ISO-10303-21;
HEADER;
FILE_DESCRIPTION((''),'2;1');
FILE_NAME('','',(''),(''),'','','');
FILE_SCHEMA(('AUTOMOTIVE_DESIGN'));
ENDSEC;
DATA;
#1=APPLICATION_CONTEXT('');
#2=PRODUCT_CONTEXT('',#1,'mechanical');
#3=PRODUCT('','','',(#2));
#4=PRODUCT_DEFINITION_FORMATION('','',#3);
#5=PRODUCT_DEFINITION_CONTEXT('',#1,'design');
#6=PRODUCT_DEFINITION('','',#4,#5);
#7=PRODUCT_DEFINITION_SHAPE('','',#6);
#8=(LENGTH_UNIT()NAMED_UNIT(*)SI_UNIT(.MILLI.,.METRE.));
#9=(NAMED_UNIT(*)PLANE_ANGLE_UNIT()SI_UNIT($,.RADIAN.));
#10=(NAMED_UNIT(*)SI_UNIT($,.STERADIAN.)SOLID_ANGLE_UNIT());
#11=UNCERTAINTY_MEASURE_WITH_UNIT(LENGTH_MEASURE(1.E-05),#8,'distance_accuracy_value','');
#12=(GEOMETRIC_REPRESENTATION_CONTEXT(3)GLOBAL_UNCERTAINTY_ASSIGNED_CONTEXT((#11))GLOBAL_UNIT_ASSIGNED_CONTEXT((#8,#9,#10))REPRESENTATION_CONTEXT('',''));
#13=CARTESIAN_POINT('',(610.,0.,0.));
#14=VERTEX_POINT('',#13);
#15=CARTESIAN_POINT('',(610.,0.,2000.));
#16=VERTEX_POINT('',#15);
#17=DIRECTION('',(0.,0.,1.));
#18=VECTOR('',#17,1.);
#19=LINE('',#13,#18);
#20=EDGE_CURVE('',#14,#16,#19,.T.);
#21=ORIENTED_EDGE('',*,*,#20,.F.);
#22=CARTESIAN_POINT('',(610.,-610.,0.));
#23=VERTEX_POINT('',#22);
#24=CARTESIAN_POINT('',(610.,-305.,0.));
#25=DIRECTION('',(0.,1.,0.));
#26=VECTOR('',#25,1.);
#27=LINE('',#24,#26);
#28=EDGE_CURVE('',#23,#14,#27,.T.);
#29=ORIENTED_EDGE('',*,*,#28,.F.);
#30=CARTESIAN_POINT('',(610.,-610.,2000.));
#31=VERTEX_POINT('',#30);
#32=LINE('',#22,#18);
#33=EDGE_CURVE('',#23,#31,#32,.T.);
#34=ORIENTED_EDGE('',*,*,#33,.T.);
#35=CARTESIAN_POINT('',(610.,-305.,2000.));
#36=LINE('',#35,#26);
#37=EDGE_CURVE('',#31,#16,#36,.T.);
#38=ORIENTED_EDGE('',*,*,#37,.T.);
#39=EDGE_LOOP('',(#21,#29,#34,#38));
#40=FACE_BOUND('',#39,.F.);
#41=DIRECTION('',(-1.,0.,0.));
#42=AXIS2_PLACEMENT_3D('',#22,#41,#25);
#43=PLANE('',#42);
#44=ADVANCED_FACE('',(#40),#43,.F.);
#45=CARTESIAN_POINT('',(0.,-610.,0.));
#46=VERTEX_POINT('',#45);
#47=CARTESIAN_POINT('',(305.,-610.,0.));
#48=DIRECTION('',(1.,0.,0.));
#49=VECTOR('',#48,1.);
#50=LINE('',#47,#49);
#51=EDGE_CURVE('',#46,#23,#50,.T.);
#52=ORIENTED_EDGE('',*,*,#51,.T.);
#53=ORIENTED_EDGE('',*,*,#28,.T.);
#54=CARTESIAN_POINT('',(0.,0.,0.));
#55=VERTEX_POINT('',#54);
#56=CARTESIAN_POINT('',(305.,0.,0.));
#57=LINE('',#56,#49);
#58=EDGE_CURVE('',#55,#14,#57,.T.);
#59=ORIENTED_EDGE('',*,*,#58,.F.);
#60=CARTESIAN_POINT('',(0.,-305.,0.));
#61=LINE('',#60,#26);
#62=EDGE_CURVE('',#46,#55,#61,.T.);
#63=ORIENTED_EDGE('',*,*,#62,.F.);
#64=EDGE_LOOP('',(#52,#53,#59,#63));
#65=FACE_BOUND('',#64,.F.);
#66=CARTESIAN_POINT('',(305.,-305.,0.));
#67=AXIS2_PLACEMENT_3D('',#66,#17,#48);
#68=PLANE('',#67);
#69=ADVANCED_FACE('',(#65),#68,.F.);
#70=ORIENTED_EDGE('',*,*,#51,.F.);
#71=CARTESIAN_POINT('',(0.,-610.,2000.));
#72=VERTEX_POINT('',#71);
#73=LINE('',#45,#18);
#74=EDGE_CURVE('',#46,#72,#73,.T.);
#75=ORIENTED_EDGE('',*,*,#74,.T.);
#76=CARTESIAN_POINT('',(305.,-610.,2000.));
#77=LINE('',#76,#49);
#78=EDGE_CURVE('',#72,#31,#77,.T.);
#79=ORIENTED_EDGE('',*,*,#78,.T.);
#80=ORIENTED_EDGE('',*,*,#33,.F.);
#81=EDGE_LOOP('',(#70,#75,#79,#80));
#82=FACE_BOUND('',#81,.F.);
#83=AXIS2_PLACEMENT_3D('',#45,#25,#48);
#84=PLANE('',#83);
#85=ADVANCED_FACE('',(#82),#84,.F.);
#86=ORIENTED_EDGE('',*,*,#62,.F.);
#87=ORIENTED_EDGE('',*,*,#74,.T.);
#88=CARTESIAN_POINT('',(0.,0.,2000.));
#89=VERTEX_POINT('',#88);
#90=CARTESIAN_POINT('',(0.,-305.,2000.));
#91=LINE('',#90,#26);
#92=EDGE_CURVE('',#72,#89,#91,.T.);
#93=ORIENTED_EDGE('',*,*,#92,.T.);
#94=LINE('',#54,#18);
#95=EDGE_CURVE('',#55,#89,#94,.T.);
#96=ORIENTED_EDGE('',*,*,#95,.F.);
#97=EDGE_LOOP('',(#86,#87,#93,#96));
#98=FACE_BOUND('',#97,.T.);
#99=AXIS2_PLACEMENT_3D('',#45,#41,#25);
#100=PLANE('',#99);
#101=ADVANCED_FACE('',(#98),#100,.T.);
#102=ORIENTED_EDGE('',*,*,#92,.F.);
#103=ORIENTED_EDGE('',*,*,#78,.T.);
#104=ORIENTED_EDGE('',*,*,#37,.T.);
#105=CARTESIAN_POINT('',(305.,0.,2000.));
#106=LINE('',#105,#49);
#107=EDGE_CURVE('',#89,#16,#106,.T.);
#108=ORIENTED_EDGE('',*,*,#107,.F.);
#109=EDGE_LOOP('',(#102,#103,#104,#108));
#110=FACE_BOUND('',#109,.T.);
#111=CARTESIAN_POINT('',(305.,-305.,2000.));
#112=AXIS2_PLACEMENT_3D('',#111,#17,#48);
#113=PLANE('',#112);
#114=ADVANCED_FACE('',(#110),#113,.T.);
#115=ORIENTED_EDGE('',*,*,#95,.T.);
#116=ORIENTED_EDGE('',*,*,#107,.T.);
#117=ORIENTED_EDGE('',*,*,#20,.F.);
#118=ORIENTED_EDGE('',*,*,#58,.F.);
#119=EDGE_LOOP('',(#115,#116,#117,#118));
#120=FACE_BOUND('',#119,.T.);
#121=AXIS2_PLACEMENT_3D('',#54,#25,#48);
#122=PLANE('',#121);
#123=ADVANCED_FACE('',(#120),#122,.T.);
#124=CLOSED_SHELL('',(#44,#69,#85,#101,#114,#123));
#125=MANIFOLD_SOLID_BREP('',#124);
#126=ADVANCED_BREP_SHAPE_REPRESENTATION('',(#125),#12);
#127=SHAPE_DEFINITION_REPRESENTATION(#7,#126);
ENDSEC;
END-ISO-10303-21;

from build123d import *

# Parameters (mm, degrees)
F0_W     = 610
F0_H     = 610
F1_DEPTH = 2000


with BuildPart() as f1:
    # F0 (on Top) → F1 (new body)
    with BuildSketch(Plane.XY):
        with Locations((305, -305)):
            Rectangle(F0_W, F0_H)
    extrude(amount=F1_DEPTH)

    # F6: F1 across plane


with BuildPart() as f1_1:
    add(f1.part)
    add(f1.part.mirror(Plane(origin=(0, -305, 2000), x_dir=(1, 0, 0), z_dir=(0, -1, 0))))


solid = f1_1.part
